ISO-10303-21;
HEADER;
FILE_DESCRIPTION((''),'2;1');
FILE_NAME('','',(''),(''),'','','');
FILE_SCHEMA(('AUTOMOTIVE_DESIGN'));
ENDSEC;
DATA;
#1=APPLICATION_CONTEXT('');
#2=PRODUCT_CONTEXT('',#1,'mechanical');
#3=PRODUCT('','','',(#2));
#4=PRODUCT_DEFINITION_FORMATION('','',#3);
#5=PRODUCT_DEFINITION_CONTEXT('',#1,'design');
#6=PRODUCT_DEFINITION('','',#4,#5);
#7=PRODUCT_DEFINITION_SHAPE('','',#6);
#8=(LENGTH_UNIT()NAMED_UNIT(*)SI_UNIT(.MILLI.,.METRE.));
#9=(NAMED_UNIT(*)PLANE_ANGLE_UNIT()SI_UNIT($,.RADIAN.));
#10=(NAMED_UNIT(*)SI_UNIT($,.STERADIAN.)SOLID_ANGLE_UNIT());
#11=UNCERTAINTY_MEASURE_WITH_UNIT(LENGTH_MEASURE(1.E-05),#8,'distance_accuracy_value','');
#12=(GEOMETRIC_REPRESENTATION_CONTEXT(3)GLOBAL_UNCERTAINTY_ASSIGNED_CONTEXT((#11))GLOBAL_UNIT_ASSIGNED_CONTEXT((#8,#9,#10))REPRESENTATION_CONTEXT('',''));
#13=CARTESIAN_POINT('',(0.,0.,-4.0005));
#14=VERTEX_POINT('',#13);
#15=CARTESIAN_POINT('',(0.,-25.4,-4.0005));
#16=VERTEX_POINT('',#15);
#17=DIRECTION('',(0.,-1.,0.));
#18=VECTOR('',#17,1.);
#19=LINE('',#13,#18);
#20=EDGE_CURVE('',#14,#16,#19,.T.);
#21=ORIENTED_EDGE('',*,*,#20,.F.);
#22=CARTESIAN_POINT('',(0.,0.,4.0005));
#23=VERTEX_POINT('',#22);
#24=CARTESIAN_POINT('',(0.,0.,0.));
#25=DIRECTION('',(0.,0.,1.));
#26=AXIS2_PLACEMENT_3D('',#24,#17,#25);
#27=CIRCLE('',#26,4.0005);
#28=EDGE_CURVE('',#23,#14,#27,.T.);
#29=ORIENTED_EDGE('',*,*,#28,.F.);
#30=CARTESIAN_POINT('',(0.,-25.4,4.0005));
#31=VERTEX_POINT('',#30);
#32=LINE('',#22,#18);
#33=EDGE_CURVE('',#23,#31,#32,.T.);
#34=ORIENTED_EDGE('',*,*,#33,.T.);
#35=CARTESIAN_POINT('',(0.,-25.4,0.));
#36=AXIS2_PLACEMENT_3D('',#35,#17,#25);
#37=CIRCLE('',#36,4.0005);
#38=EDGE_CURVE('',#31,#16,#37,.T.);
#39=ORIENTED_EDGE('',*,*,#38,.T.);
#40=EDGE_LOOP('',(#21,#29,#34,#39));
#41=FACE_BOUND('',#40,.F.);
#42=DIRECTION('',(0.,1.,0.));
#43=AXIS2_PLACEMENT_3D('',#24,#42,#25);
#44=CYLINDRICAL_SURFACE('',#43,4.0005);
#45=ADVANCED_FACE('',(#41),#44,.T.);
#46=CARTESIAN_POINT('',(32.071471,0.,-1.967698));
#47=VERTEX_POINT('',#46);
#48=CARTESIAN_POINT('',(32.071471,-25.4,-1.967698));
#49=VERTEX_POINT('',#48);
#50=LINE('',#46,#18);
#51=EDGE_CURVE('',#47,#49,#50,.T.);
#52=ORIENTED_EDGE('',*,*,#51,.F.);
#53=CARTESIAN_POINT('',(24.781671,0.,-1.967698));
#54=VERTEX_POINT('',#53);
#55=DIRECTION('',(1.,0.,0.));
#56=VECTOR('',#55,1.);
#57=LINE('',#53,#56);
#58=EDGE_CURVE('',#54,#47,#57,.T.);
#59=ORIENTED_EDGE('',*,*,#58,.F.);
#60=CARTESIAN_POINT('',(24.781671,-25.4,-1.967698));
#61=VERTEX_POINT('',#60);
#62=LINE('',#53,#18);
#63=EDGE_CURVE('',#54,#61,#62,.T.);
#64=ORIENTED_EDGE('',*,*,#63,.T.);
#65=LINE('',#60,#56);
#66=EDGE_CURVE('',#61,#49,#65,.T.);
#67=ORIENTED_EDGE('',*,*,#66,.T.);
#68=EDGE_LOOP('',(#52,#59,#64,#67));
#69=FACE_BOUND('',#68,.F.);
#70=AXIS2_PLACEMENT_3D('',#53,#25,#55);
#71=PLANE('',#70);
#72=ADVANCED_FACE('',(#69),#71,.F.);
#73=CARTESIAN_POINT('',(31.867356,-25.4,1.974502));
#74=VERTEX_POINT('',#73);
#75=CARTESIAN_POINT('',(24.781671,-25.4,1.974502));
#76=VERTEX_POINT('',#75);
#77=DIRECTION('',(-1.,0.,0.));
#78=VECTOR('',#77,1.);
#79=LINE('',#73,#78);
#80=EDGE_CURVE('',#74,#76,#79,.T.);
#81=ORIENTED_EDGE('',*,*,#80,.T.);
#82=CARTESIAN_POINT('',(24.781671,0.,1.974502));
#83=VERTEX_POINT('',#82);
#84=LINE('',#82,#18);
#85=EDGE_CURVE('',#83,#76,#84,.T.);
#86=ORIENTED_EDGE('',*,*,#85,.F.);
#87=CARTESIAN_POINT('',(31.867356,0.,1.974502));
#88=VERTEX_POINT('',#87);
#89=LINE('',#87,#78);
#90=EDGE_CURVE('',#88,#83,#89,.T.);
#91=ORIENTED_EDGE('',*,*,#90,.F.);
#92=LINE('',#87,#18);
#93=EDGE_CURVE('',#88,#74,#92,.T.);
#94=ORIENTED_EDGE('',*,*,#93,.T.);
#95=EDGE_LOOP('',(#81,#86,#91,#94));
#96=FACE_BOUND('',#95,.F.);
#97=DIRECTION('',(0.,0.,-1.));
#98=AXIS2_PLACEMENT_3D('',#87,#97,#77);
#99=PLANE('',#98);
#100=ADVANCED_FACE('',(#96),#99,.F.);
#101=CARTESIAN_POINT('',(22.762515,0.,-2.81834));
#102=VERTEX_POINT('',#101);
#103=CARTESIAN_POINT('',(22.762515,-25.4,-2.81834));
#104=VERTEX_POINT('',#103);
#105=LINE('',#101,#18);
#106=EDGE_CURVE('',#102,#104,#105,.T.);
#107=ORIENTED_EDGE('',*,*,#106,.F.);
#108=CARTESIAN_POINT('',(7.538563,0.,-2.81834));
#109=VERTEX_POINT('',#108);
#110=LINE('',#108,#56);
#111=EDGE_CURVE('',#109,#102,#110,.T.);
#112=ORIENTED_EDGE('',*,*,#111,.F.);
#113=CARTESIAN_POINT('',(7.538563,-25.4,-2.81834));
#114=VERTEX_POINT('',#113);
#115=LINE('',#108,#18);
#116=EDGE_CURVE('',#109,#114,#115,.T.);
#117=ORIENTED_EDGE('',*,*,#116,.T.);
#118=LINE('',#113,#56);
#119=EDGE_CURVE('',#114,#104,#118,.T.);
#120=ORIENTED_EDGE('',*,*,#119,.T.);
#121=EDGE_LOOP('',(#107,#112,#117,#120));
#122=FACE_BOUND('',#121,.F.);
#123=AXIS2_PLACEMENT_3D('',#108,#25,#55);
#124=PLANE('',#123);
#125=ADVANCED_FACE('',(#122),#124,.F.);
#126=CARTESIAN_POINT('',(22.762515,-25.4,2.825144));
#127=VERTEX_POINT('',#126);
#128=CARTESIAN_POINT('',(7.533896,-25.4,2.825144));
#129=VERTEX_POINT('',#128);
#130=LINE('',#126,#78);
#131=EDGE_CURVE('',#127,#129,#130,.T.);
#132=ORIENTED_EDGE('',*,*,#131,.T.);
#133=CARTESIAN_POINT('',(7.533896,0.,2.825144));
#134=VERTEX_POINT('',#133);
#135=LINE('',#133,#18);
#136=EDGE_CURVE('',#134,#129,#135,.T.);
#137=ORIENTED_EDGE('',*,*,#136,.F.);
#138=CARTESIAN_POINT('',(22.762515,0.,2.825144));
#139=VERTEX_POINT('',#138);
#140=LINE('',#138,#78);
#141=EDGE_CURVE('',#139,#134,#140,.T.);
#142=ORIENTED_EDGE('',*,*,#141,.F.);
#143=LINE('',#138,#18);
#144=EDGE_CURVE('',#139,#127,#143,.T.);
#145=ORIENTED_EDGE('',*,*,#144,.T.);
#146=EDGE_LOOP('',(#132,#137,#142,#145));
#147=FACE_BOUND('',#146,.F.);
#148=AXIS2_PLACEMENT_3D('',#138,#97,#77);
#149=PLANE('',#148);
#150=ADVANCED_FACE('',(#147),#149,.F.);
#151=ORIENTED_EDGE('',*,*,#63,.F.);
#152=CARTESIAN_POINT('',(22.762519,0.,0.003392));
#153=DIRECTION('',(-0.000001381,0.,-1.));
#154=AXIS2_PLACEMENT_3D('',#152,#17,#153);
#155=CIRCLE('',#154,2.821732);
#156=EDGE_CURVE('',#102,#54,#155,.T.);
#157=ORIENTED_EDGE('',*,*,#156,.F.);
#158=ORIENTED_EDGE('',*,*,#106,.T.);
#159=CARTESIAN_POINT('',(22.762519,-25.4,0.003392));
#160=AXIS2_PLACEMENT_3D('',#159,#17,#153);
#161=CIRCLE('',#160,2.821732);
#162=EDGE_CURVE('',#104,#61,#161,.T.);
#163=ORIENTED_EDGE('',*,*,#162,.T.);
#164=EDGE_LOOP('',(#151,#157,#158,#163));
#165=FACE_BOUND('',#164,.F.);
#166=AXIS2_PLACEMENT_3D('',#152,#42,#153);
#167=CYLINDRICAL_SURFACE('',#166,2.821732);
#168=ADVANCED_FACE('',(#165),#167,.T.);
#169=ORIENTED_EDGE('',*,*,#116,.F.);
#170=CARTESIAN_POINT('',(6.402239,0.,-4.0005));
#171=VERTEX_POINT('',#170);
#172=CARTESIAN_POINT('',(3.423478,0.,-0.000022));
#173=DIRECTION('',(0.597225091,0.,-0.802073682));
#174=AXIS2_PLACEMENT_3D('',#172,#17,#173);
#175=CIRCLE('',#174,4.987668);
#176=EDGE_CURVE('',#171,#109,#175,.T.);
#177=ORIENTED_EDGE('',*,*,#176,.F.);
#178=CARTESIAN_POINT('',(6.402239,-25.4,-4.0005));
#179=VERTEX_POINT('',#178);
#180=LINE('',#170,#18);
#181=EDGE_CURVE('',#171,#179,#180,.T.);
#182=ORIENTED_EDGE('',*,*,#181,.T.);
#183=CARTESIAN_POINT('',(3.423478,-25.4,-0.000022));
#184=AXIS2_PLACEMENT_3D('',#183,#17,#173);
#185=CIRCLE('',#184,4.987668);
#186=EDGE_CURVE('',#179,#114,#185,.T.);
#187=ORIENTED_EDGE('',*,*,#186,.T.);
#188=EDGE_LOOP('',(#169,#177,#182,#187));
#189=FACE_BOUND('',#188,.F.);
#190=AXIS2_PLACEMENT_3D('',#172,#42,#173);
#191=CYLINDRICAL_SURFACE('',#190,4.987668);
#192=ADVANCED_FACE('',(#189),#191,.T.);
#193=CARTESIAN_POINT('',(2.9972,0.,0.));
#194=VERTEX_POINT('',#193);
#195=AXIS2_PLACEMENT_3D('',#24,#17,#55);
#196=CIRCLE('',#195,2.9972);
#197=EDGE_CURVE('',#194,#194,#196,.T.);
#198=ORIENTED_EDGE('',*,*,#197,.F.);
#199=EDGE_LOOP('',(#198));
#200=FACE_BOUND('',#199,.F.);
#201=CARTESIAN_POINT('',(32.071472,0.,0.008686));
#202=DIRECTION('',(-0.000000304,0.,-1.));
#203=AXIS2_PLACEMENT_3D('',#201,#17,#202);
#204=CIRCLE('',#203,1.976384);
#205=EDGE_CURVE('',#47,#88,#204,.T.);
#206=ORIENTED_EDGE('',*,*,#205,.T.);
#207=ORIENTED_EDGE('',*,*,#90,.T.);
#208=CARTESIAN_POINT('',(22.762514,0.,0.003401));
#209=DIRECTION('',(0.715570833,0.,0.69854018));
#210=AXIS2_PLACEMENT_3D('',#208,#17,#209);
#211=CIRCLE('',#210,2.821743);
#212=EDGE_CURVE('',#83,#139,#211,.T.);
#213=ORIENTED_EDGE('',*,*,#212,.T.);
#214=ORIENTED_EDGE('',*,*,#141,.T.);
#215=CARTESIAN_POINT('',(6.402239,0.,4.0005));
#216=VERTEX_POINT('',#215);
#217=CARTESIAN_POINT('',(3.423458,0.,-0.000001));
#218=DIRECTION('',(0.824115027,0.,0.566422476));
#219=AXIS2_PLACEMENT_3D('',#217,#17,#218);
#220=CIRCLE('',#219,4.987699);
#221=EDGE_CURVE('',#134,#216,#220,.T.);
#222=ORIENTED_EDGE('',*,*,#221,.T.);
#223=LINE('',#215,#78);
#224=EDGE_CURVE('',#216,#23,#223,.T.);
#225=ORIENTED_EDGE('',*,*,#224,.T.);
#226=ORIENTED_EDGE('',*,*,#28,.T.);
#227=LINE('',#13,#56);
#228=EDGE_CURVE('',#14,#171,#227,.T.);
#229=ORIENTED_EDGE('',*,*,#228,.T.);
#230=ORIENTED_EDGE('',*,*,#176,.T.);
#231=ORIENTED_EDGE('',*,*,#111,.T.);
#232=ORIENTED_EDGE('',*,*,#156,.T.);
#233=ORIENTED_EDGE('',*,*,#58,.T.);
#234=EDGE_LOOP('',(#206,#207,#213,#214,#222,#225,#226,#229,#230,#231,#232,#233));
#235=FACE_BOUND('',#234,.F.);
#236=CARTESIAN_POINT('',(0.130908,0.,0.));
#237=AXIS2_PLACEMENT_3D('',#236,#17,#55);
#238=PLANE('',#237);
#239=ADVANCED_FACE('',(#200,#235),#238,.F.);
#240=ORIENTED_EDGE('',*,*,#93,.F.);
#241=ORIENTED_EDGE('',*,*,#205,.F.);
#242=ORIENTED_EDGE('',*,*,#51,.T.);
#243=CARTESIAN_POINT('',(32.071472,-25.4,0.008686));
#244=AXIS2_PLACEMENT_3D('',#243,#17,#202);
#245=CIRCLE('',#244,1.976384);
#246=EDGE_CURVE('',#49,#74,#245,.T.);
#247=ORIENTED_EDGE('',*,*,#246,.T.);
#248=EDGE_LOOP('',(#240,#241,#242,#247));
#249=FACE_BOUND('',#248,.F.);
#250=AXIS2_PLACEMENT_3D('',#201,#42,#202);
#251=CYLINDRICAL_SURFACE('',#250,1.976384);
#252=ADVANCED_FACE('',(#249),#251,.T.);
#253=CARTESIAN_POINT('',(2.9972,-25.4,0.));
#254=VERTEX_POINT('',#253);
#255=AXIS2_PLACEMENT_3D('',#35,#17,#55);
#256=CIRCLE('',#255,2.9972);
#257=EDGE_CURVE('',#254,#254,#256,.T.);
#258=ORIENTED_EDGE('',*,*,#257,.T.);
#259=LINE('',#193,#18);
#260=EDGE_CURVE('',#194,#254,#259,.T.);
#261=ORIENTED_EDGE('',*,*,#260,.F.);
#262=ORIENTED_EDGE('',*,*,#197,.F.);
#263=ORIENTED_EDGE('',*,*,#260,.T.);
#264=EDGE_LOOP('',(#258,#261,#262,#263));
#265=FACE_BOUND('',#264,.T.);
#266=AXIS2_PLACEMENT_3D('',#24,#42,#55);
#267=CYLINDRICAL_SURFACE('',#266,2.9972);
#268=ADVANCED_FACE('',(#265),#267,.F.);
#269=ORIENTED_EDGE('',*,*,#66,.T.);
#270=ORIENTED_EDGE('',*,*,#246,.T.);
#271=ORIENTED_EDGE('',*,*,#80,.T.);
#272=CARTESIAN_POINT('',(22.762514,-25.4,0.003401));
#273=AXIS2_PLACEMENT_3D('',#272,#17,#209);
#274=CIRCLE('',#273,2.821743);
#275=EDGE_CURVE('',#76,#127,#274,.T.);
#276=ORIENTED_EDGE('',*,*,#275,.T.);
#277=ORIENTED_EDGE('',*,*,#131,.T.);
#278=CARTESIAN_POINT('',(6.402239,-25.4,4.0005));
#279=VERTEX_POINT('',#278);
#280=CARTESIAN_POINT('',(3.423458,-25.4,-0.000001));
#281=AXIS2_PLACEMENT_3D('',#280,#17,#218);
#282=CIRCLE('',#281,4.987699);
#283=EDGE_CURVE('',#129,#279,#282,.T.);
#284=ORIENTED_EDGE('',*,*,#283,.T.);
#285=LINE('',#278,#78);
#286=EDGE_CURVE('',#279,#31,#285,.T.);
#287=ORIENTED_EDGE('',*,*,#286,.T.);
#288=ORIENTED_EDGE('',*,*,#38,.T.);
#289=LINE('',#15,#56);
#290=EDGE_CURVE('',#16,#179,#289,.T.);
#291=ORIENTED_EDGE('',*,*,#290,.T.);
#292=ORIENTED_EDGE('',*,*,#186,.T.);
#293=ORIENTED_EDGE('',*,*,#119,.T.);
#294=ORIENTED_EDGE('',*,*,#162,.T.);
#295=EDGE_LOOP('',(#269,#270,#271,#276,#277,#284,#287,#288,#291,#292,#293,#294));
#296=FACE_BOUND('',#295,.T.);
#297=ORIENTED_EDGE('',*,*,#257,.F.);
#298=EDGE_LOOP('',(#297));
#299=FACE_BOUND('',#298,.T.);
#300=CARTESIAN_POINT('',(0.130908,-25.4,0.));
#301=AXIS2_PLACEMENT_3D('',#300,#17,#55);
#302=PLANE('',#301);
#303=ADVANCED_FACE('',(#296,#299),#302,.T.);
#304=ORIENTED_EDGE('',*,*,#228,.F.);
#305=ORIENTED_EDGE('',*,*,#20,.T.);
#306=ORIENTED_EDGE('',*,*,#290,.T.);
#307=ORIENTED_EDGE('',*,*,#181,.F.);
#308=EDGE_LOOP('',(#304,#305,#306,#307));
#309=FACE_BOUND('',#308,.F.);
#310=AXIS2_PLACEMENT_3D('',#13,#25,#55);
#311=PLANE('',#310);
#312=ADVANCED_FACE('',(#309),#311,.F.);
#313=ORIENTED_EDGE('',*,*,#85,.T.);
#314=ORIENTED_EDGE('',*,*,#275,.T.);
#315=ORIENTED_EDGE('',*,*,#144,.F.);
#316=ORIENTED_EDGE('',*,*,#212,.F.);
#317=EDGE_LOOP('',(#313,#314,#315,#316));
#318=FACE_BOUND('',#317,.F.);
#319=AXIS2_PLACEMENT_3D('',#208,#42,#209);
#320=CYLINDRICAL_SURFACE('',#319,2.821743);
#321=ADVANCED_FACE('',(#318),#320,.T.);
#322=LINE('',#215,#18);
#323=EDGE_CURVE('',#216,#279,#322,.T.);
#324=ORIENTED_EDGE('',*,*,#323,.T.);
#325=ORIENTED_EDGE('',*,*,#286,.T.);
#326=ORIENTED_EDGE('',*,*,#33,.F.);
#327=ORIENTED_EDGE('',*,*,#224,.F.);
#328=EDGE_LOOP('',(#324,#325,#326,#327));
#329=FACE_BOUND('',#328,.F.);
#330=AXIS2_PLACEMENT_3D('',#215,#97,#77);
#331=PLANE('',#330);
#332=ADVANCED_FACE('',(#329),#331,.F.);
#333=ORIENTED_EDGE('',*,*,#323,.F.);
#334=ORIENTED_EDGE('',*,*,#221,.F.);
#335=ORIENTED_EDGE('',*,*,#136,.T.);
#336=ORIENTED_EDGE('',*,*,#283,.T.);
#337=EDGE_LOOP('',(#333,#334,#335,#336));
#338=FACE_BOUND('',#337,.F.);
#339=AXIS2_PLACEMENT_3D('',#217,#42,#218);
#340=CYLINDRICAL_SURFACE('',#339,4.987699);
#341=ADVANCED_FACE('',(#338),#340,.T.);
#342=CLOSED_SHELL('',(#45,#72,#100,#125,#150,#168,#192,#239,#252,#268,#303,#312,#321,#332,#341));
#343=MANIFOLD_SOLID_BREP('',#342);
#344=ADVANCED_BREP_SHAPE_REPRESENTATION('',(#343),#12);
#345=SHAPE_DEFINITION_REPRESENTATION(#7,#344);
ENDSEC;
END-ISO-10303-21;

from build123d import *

# Parameters (mm, degrees)
F0_R     = 2.9972
F1_DEPTH = 25.4


with BuildPart() as f1:
    # F0 (on Front) → F1 (new body)
    with BuildSketch(Plane.XZ):
        with BuildLine():
            ThreePointArc((0, -4.0005), (2.828781, -2.828781), (4.0005, 0))
            ThreePointArc((4.0005, 0), (2.828781, 2.828781), (0, 4.0005))
            ThreePointArc((0, 4.0005), (-4.0005, 0), (0, -4.0005))
        make_face()
        Circle(F0_R, mode=Mode.SUBTRACT)
        with BuildLine():
            ThreePointArc((0, 4.0005), (2.828781, 2.828781), (4.0005, 0))
            ThreePointArc((4.0005, 0), (2.828781, -2.828781), (0, -4.0005))
            Line((0, -4.0005), (6.402239, -4.0005))
            ThreePointArc((6.402239, -4.0005), (7.019314, -3.456437), (7.538563, -2.81834))
            ThreePointArc((7.538563, -2.81834), (8.411154, 0.004125), (7.533896, 2.825144))
            ThreePointArc((7.533896, 2.825144), (7.016454, 3.45941), (6.402239, 4.0005))
            Line((6.402239, 4.0005), (0, 4.0005))
        make_face()
        with BuildLine():
            Line((22.762515, 2.825144), (7.533896, 2.825144))
            ThreePointArc((7.533896, 2.825144), (8.411154, 0.004125), (7.538563, -2.81834))
            Line((7.538563, -2.81834), (22.762515, -2.81834))
            ThreePointArc((22.762515, -2.81834), (23.858027, -2.596999), (24.781671, -1.967698))
            ThreePointArc((24.781671, -1.967698), (25.584257, 0.003402), (24.781671, 1.974502))
            ThreePointArc((24.781671, 1.974502), (23.858027, 2.603802), (22.762515, 2.825144))
        make_face()
        with BuildLine():
            Line((31.867356, 1.974502), (24.781671, 1.974502))
            ThreePointArc((24.781671, 1.974502), (25.584257, 0.003402), (24.781671, -1.967698))
            Line((24.781671, -1.967698), (32.071471, -1.967698))
            Line((32.071471, -1.967698), (31.867356, 1.974502))
        make_face()
        with BuildLine():
            ThreePointArc((32.071471, -1.967698), (34.045212, 0.11088), (31.867356, 1.974502))
            Line((31.867356, 1.974502), (32.071471, -1.967698))
        make_face()
    extrude(amount=F1_DEPTH)


solid = f1.part
